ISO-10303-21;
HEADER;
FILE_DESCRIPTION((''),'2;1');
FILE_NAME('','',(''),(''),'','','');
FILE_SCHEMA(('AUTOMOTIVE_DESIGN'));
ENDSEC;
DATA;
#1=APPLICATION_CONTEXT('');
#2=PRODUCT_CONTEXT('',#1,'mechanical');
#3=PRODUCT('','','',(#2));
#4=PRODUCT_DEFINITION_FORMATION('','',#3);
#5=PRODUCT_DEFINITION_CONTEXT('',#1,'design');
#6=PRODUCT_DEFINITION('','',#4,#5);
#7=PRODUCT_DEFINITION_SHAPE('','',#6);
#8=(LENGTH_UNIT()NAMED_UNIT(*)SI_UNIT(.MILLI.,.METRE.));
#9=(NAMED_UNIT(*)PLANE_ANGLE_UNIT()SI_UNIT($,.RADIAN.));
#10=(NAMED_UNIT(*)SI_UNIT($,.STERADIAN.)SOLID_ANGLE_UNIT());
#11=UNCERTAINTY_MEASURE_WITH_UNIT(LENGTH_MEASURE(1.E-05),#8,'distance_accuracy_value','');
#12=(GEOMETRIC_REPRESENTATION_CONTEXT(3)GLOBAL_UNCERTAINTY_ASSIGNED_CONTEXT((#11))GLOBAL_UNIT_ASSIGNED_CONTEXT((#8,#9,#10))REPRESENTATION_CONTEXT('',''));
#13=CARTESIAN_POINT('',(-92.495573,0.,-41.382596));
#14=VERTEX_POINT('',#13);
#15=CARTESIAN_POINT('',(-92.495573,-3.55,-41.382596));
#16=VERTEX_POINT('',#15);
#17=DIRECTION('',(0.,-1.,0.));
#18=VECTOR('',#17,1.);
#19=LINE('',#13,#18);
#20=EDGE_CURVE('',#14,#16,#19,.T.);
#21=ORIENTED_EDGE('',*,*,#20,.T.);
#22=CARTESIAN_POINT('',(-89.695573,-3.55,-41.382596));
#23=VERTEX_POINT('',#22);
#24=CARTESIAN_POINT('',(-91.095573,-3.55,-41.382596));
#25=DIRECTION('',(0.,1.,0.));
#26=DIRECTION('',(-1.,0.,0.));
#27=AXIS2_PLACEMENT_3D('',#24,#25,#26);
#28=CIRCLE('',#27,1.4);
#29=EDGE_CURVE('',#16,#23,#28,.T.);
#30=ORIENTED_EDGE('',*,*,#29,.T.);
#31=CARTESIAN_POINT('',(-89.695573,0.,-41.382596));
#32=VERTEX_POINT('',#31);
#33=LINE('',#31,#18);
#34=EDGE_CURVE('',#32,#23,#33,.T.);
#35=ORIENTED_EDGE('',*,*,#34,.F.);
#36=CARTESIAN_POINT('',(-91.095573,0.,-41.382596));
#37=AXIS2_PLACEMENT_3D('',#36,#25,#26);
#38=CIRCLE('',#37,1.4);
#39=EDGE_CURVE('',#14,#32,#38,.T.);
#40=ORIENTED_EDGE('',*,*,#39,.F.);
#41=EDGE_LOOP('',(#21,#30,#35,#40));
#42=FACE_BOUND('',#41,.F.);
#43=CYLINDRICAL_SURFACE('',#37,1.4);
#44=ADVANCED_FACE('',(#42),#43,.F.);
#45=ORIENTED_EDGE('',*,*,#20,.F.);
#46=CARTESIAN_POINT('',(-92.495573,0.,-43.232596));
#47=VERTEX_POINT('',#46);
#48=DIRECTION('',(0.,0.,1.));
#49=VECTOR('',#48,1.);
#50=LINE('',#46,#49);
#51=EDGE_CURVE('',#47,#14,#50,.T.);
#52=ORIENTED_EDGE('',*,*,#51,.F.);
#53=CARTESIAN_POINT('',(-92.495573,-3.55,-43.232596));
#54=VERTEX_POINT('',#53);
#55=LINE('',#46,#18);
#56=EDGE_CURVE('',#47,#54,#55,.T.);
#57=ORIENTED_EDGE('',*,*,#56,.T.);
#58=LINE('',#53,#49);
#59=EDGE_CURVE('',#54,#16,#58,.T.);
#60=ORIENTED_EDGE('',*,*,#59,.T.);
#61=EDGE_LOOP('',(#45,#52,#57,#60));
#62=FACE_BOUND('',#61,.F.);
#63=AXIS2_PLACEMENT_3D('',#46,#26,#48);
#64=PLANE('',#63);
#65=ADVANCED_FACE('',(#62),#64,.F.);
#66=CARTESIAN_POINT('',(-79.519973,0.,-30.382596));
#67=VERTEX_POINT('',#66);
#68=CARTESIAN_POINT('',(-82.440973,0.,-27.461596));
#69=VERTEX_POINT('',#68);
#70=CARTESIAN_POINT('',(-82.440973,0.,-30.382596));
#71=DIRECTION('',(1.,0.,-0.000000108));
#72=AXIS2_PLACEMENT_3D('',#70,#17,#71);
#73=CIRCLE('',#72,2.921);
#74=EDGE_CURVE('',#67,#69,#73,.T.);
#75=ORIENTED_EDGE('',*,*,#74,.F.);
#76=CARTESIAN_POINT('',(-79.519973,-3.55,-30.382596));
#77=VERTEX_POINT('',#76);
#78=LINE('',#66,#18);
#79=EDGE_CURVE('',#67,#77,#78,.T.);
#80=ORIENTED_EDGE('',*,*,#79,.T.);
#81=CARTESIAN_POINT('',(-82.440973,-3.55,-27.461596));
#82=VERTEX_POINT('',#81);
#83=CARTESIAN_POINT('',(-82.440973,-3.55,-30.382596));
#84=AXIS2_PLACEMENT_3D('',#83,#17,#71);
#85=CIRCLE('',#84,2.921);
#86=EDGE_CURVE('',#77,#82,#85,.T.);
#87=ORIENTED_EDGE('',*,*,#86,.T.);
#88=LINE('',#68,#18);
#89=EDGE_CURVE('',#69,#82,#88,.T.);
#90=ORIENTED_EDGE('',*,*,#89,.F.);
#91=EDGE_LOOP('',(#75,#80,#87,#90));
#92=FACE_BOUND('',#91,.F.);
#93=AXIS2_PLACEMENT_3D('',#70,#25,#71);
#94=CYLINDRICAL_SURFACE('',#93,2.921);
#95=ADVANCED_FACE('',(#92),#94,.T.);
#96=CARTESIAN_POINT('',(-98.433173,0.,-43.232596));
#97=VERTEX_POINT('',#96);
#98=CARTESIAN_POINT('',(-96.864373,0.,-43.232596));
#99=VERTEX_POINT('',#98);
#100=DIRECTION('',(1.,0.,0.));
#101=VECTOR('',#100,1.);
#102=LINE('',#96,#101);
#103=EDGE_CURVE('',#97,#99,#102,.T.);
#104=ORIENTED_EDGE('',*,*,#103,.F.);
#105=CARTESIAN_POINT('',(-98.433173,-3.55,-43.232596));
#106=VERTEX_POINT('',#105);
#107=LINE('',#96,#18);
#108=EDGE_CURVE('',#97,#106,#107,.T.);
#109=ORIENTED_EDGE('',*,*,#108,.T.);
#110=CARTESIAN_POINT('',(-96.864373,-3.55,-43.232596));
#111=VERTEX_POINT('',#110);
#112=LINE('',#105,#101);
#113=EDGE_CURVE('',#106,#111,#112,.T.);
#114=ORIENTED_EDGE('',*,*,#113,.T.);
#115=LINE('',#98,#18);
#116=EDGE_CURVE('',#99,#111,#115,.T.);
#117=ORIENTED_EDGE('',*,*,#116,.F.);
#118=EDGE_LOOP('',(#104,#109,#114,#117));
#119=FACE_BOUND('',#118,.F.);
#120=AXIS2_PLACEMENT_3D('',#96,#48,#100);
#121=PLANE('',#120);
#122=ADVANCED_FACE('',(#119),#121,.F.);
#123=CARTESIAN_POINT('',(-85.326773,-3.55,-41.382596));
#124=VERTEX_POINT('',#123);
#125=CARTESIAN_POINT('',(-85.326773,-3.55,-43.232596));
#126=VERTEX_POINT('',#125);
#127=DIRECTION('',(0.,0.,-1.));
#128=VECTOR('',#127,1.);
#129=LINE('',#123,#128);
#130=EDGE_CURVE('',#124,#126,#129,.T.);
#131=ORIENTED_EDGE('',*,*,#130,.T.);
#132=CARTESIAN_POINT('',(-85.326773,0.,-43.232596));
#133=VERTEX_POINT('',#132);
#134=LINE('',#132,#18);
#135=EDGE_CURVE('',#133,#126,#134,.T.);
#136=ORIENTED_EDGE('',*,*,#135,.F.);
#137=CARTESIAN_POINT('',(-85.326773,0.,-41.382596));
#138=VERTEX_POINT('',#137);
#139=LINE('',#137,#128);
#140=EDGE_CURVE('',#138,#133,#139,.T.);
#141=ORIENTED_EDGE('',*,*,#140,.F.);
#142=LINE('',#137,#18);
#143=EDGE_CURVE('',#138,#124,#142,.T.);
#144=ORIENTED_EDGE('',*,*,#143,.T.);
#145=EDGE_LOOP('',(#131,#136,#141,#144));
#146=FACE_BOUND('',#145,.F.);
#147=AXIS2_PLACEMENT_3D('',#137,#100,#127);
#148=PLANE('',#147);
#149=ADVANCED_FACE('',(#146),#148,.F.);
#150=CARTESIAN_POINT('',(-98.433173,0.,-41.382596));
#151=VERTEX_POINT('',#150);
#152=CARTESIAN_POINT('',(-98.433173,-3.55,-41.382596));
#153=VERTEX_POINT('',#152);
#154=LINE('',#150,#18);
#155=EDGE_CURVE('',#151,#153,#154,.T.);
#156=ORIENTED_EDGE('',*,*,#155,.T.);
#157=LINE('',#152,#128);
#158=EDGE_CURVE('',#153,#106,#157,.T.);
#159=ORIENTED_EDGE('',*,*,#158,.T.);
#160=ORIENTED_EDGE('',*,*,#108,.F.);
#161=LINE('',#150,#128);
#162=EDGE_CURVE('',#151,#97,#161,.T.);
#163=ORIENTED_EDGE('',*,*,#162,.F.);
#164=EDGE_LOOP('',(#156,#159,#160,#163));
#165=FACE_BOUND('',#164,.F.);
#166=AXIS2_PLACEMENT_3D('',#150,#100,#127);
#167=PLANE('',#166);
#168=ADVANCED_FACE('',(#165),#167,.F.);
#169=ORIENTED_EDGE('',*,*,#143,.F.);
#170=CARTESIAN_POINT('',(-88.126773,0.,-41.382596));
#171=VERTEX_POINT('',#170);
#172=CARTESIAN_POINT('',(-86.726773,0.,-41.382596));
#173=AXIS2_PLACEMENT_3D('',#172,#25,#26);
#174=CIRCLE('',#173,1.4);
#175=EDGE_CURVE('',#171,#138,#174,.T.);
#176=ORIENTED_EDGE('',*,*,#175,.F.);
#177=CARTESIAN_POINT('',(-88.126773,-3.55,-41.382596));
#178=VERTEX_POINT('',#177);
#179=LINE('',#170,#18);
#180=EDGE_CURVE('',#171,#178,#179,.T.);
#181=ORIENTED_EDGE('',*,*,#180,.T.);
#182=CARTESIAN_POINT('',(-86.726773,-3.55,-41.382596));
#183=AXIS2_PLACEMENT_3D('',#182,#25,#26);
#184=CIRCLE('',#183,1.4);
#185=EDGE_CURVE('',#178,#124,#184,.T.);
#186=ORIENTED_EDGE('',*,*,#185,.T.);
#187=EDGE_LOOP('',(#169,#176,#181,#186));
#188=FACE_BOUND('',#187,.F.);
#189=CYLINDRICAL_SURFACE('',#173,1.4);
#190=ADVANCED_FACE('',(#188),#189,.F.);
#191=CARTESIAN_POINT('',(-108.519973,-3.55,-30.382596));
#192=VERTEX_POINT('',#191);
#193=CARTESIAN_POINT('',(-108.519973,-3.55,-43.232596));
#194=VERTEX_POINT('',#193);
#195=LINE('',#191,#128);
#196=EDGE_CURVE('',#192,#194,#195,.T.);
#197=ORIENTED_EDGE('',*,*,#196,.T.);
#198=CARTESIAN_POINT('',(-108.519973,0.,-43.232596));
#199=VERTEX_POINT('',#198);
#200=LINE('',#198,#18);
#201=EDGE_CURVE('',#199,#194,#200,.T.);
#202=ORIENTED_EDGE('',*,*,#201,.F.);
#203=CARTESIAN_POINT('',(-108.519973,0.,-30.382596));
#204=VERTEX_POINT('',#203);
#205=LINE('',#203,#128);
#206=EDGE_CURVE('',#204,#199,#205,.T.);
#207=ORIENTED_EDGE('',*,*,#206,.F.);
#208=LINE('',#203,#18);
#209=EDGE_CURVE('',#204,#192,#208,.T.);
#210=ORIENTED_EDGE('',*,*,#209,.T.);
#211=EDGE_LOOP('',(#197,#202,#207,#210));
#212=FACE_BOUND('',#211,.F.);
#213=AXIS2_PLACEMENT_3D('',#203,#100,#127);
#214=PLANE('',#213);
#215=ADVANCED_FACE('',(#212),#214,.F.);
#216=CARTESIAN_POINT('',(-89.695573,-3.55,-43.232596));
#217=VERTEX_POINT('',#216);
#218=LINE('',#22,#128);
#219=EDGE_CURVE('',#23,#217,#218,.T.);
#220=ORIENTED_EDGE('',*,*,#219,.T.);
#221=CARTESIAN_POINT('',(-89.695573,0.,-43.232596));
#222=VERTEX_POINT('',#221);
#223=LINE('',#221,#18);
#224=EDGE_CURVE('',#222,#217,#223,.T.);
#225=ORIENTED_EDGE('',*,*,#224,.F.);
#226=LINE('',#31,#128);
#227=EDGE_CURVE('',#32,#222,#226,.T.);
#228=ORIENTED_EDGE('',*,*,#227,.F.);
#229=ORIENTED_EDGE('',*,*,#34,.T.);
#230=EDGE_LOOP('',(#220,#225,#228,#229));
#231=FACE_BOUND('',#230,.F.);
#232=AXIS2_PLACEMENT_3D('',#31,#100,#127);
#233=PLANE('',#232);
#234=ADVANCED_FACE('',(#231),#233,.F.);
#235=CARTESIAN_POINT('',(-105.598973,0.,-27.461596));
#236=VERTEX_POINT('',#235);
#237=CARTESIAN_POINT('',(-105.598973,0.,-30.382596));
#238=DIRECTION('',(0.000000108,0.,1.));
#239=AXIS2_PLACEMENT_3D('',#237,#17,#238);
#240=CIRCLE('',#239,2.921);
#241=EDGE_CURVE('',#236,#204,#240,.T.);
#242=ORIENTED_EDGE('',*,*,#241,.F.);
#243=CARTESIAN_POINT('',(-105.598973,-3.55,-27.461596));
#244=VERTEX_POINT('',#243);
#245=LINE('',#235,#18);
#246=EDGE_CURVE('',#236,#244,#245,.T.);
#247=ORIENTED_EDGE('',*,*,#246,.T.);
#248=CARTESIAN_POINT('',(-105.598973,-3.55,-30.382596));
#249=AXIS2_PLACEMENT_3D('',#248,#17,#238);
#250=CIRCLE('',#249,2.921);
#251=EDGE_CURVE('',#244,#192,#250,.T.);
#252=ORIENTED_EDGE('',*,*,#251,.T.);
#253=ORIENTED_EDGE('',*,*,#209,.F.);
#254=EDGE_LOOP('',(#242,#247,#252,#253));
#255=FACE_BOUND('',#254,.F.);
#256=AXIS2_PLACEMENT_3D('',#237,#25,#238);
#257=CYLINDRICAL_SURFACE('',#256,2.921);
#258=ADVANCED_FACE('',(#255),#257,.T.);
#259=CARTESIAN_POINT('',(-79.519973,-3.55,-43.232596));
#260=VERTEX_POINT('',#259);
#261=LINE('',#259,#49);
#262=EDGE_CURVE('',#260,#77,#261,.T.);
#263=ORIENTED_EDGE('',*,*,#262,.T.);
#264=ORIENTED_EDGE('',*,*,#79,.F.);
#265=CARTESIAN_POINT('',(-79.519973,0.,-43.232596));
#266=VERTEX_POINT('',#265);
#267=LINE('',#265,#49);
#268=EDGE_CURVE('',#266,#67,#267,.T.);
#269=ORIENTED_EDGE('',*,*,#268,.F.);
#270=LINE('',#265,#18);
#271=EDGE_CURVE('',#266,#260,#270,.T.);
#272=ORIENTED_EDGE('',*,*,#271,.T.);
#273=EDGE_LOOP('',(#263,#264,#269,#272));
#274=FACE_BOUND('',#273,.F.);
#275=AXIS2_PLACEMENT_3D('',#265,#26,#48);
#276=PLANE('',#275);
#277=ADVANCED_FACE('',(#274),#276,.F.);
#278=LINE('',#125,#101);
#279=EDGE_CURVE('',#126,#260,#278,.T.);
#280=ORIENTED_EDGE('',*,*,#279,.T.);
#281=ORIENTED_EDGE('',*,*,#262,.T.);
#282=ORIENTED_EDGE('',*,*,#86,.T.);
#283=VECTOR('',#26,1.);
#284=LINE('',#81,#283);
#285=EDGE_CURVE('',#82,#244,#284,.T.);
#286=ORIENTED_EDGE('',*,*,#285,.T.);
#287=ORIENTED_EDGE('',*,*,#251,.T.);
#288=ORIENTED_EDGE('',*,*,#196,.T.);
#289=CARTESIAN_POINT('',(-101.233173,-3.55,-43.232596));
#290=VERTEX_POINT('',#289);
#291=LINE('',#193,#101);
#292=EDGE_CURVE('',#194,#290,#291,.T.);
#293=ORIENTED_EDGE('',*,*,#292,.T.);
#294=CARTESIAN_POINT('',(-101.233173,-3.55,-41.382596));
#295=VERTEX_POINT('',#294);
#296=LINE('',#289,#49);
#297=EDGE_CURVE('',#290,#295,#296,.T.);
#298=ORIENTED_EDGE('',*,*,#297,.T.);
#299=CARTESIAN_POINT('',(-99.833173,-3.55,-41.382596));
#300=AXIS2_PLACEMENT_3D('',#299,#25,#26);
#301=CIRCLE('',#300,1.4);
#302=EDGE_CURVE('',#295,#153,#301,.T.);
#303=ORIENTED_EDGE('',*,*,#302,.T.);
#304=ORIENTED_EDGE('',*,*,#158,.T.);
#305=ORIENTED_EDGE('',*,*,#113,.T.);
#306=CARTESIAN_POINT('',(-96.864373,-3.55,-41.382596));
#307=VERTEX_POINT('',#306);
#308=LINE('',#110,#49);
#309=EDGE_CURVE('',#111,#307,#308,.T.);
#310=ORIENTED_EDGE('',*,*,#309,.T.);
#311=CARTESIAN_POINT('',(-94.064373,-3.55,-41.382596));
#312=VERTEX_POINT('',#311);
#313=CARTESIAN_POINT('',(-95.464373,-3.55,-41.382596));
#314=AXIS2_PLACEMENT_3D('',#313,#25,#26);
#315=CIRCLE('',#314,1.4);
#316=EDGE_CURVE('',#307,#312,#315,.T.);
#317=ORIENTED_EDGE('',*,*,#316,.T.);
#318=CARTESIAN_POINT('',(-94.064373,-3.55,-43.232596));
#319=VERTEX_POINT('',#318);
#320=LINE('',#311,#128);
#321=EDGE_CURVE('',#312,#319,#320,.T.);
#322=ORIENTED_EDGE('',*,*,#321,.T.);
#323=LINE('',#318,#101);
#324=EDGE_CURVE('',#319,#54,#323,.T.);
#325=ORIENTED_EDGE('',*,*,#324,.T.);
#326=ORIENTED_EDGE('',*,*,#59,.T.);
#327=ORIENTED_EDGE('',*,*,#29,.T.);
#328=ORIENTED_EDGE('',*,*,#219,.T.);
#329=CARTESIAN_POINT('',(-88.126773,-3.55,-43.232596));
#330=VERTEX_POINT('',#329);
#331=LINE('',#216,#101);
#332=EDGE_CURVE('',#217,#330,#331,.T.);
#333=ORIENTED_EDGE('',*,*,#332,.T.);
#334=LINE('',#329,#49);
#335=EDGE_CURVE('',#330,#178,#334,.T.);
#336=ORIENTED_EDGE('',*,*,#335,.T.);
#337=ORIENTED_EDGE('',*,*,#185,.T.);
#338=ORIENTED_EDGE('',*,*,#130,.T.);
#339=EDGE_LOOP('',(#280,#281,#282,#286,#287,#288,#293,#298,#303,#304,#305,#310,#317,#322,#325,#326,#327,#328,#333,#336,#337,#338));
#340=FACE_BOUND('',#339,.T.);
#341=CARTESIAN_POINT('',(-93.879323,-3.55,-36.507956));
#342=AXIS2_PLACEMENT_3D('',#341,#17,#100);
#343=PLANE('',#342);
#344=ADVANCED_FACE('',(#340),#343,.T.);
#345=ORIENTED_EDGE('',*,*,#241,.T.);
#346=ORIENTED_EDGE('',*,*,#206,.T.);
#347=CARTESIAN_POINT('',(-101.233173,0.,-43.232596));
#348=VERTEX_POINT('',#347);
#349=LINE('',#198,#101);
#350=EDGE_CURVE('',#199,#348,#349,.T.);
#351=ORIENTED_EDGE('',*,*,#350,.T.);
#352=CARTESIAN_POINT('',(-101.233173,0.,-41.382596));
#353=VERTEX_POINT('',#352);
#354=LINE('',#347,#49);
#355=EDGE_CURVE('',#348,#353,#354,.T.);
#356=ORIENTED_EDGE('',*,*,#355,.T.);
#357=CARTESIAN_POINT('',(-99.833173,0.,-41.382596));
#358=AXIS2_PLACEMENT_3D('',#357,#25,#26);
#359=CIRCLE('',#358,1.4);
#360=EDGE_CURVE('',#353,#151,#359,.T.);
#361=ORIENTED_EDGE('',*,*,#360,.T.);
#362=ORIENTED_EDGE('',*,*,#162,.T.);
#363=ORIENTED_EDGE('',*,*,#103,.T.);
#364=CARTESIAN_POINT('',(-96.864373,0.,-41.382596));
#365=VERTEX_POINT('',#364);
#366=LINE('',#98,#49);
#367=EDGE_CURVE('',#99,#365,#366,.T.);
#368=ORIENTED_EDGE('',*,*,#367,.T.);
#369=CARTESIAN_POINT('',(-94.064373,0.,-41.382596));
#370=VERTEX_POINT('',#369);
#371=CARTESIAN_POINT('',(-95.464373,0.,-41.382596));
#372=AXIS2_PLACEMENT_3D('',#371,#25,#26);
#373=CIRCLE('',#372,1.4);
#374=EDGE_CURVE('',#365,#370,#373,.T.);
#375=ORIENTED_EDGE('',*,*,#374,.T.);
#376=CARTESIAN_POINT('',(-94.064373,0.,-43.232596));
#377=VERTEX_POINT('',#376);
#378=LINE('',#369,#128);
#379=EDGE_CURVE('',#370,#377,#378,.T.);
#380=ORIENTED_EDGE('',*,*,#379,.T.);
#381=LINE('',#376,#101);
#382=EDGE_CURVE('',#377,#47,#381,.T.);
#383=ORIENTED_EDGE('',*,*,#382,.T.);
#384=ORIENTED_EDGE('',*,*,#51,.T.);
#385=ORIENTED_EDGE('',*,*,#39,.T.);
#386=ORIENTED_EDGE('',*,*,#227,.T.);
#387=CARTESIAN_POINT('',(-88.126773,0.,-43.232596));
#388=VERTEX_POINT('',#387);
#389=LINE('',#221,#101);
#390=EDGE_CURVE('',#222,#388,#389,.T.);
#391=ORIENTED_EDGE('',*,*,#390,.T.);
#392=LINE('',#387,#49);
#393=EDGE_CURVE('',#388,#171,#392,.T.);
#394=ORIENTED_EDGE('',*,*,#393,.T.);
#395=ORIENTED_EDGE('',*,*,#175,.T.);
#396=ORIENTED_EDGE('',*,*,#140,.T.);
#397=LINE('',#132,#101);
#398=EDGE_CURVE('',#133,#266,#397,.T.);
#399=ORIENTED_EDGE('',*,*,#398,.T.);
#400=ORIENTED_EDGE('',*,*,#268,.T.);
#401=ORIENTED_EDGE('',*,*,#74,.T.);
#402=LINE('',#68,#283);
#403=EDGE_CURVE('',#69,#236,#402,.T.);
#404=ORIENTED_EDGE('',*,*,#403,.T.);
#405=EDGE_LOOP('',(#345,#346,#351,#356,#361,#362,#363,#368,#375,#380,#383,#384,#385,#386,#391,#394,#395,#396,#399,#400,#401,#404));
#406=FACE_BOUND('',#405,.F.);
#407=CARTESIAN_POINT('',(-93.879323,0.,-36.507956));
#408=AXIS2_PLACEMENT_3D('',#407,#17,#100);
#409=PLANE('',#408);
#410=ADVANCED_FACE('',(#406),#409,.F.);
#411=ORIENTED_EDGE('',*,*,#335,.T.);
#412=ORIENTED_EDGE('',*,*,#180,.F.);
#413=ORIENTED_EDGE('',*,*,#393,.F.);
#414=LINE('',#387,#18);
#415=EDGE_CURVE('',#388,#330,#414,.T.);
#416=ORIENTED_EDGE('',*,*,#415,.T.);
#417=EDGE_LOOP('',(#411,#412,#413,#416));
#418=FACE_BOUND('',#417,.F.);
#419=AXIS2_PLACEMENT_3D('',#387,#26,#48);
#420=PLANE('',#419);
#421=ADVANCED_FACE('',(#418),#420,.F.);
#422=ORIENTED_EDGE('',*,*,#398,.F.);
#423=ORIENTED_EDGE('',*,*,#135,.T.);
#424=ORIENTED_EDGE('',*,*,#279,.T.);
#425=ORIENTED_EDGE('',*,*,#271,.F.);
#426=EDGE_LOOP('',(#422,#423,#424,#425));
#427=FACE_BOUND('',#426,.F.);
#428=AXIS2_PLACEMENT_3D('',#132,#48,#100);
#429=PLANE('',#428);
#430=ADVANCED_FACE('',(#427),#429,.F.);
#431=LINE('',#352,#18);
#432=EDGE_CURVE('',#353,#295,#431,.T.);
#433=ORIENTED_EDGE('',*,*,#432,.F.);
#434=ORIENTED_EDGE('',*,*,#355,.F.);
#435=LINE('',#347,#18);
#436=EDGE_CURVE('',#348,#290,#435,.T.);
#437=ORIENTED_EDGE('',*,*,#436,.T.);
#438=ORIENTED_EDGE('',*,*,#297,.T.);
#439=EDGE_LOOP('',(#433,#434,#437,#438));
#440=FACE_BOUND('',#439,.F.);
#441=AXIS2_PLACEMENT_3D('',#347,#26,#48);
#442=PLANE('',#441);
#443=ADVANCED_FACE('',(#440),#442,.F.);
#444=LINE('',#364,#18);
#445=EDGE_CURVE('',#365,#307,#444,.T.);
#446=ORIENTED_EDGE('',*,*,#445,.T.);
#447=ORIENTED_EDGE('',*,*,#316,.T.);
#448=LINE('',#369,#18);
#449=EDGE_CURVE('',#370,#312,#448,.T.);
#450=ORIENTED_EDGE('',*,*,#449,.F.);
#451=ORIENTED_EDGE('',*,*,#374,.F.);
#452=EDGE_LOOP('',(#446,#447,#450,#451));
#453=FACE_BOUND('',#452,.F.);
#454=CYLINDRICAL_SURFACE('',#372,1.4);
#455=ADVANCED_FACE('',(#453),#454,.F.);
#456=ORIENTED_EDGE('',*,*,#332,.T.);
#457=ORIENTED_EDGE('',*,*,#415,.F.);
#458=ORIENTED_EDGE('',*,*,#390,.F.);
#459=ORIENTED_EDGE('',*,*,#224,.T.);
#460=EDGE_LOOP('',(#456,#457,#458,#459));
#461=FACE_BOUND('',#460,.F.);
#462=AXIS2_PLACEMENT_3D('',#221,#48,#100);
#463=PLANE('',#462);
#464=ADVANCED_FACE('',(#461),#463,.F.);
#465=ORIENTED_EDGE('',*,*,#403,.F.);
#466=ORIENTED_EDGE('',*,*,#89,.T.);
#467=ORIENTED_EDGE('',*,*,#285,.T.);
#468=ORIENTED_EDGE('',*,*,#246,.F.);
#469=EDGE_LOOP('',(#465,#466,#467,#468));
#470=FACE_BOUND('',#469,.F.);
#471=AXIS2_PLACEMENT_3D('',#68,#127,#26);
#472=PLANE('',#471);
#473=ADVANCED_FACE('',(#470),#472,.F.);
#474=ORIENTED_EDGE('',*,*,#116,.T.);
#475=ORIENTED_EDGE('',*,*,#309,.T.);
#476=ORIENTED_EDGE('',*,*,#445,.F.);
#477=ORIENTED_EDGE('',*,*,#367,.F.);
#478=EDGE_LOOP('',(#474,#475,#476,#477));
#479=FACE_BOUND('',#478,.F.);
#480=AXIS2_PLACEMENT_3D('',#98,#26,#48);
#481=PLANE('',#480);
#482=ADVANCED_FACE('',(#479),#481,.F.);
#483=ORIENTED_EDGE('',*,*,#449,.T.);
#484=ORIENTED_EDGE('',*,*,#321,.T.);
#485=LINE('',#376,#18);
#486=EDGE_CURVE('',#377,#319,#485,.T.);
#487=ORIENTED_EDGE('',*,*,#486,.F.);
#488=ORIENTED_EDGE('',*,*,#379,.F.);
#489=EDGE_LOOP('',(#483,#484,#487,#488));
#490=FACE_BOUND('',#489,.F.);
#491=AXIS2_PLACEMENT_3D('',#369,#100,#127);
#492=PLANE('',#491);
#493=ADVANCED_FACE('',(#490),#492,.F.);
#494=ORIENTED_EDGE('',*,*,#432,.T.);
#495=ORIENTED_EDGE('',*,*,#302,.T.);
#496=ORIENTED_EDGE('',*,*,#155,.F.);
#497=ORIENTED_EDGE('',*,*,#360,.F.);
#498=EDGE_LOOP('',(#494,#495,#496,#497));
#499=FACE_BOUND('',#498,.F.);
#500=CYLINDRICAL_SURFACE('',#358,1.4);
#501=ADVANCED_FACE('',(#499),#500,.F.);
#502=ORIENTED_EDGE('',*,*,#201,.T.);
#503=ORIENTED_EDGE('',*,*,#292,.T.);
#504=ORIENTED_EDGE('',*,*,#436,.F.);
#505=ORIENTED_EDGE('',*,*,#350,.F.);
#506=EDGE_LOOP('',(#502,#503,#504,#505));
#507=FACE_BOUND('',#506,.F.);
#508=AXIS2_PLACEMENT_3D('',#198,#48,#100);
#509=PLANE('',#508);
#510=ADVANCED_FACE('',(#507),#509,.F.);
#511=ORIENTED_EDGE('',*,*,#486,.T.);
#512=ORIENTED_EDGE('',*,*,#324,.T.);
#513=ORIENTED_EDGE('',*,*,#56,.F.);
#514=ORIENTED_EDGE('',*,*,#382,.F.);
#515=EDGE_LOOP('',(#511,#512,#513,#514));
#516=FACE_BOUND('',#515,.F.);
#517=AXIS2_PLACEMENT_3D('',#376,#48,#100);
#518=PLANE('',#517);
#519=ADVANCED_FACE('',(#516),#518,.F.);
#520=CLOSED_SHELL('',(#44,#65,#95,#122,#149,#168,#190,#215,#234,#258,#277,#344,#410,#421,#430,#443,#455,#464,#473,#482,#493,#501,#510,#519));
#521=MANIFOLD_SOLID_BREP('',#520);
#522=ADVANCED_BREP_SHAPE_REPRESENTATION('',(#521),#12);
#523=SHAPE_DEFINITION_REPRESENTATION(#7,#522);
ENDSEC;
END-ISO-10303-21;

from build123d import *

# Parameters (mm, degrees)
F1_DEPTH = 3.55


with BuildPart() as f1:
    # F0 (on Front) → F1 (new body)
    with BuildSketch(Plane.XZ):
        with BuildLine():
            Line((-82.440973, -27.461596), (-105.598973, -27.461596))
            ThreePointArc((-105.598973, -27.461596), (-107.664432, -28.317137), (-108.519973, -30.382596))
            Line((-108.519973, -30.382596), (-108.519973, -43.232596))
            Line((-108.519973, -43.232596), (-101.233173, -43.232596))
            Line((-101.233173, -43.232596), (-101.233173, -41.382596))
            ThreePointArc((-101.233173, -41.382596), (-99.833173, -39.982596), (-98.433173, -41.382596))
            Line((-98.433173, -41.382596), (-98.433173, -43.232596))
            Line((-98.433173, -43.232596), (-96.864373, -43.232596))
            Line((-96.864373, -43.232596), (-96.864373, -41.382596))
            ThreePointArc((-96.864373, -41.382596), (-95.464373, -39.982596), (-94.064373, -41.382596))
            Line((-94.064373, -41.382596), (-94.064373, -43.232596))
            Line((-94.064373, -43.232596), (-92.495573, -43.232596))
            Line((-92.495573, -43.232596), (-92.495573, -41.382596))
            ThreePointArc((-92.495573, -41.382596), (-91.095573, -39.982596), (-89.695573, -41.382596))
            Line((-89.695573, -41.382596), (-89.695573, -43.232596))
            Line((-89.695573, -43.232596), (-88.126773, -43.232596))
            Line((-88.126773, -43.232596), (-88.126773, -41.382596))
            ThreePointArc((-88.126773, -41.382596), (-86.726773, -39.982596), (-85.326773, -41.382596))
            Line((-85.326773, -41.382596), (-85.326773, -43.232596))
            Line((-85.326773, -43.232596), (-79.519973, -43.232596))
            Line((-79.519973, -43.232596), (-79.519973, -43.218596))
            Line((-79.519973, -43.218596), (-79.519973, -30.382596))
            ThreePointArc((-79.519973, -30.382596), (-80.375514, -28.317137), (-82.440973, -27.461596))
        make_face()
    extrude(amount=F1_DEPTH)


solid = f1.part
